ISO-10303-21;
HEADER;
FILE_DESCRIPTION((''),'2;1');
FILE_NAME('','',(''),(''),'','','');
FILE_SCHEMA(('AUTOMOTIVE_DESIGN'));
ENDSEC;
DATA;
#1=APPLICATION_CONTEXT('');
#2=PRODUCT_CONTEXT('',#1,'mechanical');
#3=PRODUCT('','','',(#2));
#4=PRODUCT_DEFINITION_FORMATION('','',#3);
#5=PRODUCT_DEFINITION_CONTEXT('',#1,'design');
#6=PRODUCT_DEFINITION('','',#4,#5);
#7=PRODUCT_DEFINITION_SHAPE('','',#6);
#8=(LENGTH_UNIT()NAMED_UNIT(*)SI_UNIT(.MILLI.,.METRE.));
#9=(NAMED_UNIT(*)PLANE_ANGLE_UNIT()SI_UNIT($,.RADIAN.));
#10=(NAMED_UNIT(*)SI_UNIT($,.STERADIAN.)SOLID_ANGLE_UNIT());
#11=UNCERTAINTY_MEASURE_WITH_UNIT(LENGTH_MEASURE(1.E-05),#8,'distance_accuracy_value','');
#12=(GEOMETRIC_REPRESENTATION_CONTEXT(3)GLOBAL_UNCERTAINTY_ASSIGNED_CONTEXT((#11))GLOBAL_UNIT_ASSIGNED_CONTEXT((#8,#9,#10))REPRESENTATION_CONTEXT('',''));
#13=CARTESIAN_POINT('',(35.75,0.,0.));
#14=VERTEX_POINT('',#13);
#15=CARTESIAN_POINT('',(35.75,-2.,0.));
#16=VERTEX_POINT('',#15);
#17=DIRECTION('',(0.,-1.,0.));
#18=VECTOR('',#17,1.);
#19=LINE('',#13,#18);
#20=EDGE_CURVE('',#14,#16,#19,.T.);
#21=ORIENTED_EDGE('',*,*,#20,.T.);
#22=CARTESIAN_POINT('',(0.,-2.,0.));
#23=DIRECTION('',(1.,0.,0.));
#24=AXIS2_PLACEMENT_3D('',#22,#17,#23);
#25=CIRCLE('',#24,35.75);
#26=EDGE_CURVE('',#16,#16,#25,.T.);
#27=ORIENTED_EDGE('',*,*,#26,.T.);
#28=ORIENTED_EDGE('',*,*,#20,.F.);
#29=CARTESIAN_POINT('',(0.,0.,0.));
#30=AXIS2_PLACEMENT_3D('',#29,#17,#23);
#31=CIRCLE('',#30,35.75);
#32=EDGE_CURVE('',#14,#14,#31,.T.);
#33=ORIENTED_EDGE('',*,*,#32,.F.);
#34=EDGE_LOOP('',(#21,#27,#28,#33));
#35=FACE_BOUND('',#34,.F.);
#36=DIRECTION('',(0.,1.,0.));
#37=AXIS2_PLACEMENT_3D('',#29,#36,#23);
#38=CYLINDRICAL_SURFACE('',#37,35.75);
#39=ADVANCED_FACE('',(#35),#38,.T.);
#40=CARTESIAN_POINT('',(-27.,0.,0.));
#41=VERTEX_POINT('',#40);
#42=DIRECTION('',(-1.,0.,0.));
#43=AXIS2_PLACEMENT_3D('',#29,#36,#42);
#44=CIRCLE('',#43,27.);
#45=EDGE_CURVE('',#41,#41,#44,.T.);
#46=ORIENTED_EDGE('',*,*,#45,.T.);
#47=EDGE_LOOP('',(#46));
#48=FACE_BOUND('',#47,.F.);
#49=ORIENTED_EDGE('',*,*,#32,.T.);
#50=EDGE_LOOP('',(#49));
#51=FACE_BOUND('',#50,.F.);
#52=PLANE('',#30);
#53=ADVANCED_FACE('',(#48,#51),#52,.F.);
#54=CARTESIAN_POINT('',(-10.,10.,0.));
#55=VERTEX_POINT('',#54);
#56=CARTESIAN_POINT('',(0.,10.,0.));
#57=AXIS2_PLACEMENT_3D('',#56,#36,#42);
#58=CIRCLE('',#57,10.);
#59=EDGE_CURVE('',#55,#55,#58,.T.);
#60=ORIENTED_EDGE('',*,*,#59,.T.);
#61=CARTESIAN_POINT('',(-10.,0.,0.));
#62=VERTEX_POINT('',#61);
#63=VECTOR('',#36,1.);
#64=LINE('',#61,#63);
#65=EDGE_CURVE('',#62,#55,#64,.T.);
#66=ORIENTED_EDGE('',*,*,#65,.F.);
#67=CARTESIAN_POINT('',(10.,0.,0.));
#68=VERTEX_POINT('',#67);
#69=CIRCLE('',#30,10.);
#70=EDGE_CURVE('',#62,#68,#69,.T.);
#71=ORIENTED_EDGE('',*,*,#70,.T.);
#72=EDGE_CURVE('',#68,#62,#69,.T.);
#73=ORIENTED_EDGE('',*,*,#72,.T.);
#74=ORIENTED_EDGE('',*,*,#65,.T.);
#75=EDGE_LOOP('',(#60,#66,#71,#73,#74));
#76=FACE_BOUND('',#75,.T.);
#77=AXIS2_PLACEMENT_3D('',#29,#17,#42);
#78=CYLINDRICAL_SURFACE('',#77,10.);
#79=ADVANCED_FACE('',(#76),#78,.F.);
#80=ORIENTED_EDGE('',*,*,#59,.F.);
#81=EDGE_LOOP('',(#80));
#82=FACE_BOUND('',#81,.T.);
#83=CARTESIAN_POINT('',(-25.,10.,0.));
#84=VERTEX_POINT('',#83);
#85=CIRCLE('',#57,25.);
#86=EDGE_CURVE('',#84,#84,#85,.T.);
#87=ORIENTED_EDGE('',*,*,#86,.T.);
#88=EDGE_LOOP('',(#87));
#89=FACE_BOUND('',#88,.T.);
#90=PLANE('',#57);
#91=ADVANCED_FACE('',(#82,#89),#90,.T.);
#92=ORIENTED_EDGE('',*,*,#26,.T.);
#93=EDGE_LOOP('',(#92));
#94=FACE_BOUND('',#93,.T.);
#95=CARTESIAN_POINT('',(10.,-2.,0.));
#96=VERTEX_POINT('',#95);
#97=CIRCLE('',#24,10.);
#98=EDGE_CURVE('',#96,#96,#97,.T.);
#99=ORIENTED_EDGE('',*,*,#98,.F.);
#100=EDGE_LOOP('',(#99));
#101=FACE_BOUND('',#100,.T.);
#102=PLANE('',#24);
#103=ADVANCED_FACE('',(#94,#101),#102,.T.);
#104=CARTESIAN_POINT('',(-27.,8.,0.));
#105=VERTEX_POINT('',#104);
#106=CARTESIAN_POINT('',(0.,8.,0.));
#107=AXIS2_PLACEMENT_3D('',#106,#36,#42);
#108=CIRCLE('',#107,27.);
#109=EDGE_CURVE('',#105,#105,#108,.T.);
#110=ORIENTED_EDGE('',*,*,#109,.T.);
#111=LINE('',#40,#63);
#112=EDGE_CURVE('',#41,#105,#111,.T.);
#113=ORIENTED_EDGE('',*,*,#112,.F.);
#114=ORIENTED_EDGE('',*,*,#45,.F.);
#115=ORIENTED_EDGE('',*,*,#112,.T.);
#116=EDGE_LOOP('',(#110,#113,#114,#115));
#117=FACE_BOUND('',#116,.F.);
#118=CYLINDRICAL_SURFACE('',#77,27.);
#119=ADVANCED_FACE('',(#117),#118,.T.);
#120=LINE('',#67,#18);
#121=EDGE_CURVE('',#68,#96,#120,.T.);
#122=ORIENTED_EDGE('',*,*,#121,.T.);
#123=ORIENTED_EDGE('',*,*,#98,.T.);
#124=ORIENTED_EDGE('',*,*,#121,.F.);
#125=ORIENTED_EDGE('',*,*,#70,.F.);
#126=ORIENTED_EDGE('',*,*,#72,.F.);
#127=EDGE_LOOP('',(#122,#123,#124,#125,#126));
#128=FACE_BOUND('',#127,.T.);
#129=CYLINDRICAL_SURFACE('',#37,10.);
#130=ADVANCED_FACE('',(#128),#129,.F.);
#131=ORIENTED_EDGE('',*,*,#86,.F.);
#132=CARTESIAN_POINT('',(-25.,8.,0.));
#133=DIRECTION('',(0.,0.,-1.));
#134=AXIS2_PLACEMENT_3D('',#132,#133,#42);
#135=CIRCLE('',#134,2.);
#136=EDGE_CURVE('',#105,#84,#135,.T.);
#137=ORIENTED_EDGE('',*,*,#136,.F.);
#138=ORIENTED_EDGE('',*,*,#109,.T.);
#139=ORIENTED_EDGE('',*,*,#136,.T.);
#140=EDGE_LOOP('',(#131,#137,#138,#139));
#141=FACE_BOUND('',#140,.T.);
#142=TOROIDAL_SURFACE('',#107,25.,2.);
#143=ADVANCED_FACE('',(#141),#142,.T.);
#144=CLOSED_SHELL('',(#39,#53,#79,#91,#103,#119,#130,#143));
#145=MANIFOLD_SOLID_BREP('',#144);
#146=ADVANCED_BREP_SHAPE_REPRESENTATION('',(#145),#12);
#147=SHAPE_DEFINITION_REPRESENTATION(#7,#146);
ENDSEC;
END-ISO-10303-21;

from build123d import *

# Parameters (mm, degrees)
F0_R     = 35.75
F0_R_2   = 10
F1_DEPTH = 2
F2_R     = 27
F2_R_2   = 10
F3_DEPTH = 10
F4_R     = 2


with BuildPart() as f1:
    # F0 (on Front) → F1 (new body)
    with BuildSketch(Plane.XZ):
        Circle(F0_R)
        Circle(F0_R_2, mode=Mode.SUBTRACT)
    extrude(amount=F1_DEPTH)

    # F2 (on face) → F3 (join)
    with BuildSketch(Plane(origin=(0, 0, 0), x_dir=(-1, 0, 0), z_dir=(0, 1, 0))):
        Circle(F2_R)
        Circle(F2_R_2, mode=Mode.SUBTRACT)
    extrude(amount=F3_DEPTH)

    # F4
    f4_edges = [f1.edges().sort_by_distance(p)[0] for p in [
        (27, 10, 0),
    ]]
    fillet(f4_edges, radius=F4_R)


solid = f1.part
